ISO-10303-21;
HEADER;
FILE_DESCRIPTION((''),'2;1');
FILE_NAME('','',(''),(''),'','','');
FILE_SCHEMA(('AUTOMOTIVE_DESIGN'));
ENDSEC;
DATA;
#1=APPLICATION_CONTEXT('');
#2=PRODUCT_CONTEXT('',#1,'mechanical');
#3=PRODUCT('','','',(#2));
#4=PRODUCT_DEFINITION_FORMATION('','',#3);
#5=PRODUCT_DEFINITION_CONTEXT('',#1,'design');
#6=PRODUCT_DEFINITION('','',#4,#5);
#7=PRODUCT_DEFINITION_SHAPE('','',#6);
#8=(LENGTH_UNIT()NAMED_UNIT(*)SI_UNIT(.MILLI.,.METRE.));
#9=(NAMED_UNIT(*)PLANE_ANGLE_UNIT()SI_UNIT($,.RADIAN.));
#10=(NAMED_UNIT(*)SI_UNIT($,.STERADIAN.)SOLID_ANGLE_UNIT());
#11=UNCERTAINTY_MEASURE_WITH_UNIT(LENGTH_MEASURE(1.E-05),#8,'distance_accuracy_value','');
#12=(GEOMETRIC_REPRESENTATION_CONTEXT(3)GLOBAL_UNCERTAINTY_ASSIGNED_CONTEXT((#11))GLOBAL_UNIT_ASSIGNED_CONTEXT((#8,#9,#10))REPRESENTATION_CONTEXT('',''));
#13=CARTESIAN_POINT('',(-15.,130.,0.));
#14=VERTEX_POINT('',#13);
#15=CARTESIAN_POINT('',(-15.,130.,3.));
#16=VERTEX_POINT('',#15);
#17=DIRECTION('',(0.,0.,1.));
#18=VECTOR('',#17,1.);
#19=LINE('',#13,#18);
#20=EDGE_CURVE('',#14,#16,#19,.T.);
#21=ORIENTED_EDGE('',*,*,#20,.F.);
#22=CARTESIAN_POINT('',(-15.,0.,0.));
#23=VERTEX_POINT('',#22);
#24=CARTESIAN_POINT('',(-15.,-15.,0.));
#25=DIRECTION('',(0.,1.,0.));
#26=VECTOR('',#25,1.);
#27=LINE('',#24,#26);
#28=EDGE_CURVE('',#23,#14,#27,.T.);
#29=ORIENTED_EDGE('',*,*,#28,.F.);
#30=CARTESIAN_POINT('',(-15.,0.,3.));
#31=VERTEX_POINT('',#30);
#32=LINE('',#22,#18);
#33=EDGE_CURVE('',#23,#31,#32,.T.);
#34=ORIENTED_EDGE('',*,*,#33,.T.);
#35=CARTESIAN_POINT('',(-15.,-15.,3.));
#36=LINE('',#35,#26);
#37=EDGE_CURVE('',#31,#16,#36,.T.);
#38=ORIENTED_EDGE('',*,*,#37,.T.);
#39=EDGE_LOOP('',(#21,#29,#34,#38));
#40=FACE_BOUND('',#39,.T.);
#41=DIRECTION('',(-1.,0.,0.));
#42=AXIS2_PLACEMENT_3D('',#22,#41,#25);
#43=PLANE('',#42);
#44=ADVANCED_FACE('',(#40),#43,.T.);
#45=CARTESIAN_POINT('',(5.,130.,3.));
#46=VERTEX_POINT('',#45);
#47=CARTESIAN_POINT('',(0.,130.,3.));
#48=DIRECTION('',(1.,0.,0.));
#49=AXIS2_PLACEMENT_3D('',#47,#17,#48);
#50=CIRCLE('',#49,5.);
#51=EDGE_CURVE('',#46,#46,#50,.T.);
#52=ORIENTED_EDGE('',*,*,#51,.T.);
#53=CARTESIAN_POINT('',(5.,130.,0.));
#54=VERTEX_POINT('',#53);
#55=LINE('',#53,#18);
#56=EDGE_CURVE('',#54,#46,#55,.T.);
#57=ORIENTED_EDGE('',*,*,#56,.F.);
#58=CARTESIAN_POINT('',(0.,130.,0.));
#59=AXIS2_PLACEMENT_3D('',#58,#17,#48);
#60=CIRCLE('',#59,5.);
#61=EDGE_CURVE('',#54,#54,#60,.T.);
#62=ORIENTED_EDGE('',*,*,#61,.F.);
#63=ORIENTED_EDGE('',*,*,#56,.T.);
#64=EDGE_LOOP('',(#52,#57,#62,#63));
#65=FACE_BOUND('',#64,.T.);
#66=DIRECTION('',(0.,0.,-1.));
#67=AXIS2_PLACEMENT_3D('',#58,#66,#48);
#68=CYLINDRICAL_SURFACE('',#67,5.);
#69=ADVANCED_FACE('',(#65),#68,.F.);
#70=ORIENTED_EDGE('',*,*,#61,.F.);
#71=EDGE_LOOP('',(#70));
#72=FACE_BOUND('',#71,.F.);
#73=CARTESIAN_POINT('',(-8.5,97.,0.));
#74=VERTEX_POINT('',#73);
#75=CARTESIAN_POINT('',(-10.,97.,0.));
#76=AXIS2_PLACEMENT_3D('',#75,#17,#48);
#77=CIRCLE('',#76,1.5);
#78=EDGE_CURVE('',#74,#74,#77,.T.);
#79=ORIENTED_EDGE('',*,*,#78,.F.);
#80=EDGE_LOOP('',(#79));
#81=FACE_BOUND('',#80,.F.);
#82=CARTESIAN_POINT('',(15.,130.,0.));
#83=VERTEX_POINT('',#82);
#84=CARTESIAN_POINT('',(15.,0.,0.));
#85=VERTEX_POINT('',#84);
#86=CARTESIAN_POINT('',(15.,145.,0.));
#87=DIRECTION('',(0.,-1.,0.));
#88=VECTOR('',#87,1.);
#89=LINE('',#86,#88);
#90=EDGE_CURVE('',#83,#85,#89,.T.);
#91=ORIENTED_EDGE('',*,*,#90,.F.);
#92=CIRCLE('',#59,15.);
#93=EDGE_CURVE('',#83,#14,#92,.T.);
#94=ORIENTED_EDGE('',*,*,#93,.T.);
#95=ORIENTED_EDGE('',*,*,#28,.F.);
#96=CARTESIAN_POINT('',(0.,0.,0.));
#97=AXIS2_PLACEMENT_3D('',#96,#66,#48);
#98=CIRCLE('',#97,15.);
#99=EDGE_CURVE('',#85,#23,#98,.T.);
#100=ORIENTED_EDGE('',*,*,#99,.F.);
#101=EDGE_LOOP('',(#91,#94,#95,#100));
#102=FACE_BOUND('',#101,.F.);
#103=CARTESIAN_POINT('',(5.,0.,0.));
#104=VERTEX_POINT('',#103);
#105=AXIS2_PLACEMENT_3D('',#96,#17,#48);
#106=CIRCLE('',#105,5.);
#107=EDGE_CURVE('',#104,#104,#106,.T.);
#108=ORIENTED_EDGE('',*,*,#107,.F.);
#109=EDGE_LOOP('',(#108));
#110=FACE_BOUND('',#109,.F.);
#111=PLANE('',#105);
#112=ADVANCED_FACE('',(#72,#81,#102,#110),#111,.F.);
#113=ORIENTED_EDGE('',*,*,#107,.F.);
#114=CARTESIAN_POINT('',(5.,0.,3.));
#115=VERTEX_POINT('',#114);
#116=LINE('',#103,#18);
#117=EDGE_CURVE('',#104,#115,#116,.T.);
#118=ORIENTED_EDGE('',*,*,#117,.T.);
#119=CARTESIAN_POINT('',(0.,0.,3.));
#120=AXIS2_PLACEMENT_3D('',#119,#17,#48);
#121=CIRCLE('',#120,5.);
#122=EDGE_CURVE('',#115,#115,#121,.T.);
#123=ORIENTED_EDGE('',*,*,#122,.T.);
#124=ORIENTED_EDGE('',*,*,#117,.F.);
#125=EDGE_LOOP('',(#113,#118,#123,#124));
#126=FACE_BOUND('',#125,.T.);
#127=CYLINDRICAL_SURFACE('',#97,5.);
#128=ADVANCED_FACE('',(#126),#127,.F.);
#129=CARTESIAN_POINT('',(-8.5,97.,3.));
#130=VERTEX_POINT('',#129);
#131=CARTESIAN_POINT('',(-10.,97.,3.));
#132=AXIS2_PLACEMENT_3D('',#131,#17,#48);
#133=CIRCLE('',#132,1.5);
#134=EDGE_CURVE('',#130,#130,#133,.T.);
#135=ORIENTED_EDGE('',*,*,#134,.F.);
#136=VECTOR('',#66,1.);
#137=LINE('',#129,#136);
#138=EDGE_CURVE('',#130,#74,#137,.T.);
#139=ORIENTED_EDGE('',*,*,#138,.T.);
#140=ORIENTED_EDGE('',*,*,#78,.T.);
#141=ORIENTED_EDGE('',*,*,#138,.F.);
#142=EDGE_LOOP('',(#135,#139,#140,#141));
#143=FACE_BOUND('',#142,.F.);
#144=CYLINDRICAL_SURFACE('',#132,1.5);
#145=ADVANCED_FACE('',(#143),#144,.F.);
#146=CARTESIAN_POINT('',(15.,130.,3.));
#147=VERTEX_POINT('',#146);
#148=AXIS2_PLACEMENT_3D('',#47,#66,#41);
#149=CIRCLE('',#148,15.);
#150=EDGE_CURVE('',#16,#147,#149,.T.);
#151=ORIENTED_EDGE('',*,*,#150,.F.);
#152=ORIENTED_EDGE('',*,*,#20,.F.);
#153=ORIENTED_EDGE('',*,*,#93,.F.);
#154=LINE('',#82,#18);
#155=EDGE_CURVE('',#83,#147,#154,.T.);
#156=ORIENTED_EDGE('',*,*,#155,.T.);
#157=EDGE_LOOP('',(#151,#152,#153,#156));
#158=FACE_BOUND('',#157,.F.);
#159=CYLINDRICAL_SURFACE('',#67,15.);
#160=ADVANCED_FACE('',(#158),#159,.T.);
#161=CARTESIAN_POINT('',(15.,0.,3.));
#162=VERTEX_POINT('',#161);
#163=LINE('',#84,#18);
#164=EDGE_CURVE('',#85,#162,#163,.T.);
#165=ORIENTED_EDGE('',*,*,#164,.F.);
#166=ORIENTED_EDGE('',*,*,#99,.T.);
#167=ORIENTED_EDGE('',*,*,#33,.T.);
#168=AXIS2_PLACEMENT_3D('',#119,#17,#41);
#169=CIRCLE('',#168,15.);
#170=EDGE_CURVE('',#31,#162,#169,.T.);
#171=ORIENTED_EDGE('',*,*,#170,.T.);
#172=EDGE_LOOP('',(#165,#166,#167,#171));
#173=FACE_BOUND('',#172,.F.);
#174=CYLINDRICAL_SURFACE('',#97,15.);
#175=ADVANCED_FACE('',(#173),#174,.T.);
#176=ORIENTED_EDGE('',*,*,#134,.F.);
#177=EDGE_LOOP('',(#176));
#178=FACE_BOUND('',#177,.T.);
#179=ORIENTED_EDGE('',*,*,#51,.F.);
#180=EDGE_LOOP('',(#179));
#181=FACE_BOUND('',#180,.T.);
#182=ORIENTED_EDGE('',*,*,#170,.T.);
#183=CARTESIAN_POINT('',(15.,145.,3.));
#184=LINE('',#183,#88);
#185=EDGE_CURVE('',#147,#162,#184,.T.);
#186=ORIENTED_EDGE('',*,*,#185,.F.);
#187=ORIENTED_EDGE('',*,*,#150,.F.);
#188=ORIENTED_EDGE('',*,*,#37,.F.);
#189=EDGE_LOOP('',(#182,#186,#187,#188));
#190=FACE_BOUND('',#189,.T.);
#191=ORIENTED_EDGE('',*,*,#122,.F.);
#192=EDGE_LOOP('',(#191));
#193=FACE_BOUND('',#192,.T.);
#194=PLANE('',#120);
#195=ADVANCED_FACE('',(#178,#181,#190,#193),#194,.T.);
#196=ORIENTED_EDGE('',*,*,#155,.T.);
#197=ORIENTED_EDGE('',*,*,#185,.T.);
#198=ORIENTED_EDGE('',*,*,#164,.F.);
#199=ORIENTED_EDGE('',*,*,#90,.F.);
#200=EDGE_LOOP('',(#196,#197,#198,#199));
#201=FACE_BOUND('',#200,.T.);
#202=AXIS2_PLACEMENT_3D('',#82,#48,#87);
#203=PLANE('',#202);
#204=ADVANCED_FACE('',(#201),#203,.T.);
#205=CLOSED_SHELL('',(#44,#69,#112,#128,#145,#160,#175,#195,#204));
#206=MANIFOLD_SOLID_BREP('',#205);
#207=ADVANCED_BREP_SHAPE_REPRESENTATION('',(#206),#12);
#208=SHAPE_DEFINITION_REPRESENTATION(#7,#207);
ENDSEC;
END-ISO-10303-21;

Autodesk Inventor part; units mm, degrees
ref_plane "YZ Plane" through (0, 0, 0) normal (1, 0, 0) x (0, 1, 0)
ref_plane "XZ Plane" through (0, 0, 0) normal (0, 1, 0) x (-1, 0, 0)
ref_plane "XY Plane" through (0, 0, 0) normal (0, 0, 1) x (1, 0, 0)
sketch "Sketch1" plane through (0, 0, 0) normal (0, 0, 1) x (1, 0, 0)
  circle A0 centre (0, 0) radius 5
  circle A1 centre (0, 130) radius 5
  line L0 (-15, 145) -> (15, 145)
  line L1 (15, 145) -> (15, -15)
  line L2 (15, -15) -> (-15, -15)
  line L3 (-15, -15) -> (-15, 145)
  circle A2 centre (0, 130) radius 15
  circle A3 centre (0, 0) radius 15
  point P0 (15, 130)
  point P1 (-15, 130)
  point P2 (-15, 0)
  point P3 (15, 0)
  dimension "d0" = 10
  dimension "d1" = 10
  dimension "d2" = 130
  dimension "d3" = 30
  dimension "d4" = 15
  dimension "d5" = 15
  dimension "d6" = 15
  dimension "d7" = 30
  dimension "d8" = 30
sketch "Sketch2" plane through (0, 0, 0) normal (1, 0, 0) x (0, 1, 0)
  point P0 (0, 0)
extrude "Extrusion1" add sketch "Sketch1" along normal blind 3 contours A2 | A2 L1 A3 L3 | A3
sketch "Sketch3" plane through (0, 0, 3) normal (0, 0, 1) x (1, 0, 0)
  circle A0 centre (-10, 97) radius 1.5
  line L0 (-15, 130) -> (-15, 0) projected
  circle A1 centre (0, 130) radius 5 projected
  point P0 (0, 0)
  dimension "d11" = 3
  dimension "d12" = 5
  dimension "d13" = 33
extrude "Extrusion2" cut sketch "Sketch3" against normal blind 3 contours A0
properties part number "Link3Do"
